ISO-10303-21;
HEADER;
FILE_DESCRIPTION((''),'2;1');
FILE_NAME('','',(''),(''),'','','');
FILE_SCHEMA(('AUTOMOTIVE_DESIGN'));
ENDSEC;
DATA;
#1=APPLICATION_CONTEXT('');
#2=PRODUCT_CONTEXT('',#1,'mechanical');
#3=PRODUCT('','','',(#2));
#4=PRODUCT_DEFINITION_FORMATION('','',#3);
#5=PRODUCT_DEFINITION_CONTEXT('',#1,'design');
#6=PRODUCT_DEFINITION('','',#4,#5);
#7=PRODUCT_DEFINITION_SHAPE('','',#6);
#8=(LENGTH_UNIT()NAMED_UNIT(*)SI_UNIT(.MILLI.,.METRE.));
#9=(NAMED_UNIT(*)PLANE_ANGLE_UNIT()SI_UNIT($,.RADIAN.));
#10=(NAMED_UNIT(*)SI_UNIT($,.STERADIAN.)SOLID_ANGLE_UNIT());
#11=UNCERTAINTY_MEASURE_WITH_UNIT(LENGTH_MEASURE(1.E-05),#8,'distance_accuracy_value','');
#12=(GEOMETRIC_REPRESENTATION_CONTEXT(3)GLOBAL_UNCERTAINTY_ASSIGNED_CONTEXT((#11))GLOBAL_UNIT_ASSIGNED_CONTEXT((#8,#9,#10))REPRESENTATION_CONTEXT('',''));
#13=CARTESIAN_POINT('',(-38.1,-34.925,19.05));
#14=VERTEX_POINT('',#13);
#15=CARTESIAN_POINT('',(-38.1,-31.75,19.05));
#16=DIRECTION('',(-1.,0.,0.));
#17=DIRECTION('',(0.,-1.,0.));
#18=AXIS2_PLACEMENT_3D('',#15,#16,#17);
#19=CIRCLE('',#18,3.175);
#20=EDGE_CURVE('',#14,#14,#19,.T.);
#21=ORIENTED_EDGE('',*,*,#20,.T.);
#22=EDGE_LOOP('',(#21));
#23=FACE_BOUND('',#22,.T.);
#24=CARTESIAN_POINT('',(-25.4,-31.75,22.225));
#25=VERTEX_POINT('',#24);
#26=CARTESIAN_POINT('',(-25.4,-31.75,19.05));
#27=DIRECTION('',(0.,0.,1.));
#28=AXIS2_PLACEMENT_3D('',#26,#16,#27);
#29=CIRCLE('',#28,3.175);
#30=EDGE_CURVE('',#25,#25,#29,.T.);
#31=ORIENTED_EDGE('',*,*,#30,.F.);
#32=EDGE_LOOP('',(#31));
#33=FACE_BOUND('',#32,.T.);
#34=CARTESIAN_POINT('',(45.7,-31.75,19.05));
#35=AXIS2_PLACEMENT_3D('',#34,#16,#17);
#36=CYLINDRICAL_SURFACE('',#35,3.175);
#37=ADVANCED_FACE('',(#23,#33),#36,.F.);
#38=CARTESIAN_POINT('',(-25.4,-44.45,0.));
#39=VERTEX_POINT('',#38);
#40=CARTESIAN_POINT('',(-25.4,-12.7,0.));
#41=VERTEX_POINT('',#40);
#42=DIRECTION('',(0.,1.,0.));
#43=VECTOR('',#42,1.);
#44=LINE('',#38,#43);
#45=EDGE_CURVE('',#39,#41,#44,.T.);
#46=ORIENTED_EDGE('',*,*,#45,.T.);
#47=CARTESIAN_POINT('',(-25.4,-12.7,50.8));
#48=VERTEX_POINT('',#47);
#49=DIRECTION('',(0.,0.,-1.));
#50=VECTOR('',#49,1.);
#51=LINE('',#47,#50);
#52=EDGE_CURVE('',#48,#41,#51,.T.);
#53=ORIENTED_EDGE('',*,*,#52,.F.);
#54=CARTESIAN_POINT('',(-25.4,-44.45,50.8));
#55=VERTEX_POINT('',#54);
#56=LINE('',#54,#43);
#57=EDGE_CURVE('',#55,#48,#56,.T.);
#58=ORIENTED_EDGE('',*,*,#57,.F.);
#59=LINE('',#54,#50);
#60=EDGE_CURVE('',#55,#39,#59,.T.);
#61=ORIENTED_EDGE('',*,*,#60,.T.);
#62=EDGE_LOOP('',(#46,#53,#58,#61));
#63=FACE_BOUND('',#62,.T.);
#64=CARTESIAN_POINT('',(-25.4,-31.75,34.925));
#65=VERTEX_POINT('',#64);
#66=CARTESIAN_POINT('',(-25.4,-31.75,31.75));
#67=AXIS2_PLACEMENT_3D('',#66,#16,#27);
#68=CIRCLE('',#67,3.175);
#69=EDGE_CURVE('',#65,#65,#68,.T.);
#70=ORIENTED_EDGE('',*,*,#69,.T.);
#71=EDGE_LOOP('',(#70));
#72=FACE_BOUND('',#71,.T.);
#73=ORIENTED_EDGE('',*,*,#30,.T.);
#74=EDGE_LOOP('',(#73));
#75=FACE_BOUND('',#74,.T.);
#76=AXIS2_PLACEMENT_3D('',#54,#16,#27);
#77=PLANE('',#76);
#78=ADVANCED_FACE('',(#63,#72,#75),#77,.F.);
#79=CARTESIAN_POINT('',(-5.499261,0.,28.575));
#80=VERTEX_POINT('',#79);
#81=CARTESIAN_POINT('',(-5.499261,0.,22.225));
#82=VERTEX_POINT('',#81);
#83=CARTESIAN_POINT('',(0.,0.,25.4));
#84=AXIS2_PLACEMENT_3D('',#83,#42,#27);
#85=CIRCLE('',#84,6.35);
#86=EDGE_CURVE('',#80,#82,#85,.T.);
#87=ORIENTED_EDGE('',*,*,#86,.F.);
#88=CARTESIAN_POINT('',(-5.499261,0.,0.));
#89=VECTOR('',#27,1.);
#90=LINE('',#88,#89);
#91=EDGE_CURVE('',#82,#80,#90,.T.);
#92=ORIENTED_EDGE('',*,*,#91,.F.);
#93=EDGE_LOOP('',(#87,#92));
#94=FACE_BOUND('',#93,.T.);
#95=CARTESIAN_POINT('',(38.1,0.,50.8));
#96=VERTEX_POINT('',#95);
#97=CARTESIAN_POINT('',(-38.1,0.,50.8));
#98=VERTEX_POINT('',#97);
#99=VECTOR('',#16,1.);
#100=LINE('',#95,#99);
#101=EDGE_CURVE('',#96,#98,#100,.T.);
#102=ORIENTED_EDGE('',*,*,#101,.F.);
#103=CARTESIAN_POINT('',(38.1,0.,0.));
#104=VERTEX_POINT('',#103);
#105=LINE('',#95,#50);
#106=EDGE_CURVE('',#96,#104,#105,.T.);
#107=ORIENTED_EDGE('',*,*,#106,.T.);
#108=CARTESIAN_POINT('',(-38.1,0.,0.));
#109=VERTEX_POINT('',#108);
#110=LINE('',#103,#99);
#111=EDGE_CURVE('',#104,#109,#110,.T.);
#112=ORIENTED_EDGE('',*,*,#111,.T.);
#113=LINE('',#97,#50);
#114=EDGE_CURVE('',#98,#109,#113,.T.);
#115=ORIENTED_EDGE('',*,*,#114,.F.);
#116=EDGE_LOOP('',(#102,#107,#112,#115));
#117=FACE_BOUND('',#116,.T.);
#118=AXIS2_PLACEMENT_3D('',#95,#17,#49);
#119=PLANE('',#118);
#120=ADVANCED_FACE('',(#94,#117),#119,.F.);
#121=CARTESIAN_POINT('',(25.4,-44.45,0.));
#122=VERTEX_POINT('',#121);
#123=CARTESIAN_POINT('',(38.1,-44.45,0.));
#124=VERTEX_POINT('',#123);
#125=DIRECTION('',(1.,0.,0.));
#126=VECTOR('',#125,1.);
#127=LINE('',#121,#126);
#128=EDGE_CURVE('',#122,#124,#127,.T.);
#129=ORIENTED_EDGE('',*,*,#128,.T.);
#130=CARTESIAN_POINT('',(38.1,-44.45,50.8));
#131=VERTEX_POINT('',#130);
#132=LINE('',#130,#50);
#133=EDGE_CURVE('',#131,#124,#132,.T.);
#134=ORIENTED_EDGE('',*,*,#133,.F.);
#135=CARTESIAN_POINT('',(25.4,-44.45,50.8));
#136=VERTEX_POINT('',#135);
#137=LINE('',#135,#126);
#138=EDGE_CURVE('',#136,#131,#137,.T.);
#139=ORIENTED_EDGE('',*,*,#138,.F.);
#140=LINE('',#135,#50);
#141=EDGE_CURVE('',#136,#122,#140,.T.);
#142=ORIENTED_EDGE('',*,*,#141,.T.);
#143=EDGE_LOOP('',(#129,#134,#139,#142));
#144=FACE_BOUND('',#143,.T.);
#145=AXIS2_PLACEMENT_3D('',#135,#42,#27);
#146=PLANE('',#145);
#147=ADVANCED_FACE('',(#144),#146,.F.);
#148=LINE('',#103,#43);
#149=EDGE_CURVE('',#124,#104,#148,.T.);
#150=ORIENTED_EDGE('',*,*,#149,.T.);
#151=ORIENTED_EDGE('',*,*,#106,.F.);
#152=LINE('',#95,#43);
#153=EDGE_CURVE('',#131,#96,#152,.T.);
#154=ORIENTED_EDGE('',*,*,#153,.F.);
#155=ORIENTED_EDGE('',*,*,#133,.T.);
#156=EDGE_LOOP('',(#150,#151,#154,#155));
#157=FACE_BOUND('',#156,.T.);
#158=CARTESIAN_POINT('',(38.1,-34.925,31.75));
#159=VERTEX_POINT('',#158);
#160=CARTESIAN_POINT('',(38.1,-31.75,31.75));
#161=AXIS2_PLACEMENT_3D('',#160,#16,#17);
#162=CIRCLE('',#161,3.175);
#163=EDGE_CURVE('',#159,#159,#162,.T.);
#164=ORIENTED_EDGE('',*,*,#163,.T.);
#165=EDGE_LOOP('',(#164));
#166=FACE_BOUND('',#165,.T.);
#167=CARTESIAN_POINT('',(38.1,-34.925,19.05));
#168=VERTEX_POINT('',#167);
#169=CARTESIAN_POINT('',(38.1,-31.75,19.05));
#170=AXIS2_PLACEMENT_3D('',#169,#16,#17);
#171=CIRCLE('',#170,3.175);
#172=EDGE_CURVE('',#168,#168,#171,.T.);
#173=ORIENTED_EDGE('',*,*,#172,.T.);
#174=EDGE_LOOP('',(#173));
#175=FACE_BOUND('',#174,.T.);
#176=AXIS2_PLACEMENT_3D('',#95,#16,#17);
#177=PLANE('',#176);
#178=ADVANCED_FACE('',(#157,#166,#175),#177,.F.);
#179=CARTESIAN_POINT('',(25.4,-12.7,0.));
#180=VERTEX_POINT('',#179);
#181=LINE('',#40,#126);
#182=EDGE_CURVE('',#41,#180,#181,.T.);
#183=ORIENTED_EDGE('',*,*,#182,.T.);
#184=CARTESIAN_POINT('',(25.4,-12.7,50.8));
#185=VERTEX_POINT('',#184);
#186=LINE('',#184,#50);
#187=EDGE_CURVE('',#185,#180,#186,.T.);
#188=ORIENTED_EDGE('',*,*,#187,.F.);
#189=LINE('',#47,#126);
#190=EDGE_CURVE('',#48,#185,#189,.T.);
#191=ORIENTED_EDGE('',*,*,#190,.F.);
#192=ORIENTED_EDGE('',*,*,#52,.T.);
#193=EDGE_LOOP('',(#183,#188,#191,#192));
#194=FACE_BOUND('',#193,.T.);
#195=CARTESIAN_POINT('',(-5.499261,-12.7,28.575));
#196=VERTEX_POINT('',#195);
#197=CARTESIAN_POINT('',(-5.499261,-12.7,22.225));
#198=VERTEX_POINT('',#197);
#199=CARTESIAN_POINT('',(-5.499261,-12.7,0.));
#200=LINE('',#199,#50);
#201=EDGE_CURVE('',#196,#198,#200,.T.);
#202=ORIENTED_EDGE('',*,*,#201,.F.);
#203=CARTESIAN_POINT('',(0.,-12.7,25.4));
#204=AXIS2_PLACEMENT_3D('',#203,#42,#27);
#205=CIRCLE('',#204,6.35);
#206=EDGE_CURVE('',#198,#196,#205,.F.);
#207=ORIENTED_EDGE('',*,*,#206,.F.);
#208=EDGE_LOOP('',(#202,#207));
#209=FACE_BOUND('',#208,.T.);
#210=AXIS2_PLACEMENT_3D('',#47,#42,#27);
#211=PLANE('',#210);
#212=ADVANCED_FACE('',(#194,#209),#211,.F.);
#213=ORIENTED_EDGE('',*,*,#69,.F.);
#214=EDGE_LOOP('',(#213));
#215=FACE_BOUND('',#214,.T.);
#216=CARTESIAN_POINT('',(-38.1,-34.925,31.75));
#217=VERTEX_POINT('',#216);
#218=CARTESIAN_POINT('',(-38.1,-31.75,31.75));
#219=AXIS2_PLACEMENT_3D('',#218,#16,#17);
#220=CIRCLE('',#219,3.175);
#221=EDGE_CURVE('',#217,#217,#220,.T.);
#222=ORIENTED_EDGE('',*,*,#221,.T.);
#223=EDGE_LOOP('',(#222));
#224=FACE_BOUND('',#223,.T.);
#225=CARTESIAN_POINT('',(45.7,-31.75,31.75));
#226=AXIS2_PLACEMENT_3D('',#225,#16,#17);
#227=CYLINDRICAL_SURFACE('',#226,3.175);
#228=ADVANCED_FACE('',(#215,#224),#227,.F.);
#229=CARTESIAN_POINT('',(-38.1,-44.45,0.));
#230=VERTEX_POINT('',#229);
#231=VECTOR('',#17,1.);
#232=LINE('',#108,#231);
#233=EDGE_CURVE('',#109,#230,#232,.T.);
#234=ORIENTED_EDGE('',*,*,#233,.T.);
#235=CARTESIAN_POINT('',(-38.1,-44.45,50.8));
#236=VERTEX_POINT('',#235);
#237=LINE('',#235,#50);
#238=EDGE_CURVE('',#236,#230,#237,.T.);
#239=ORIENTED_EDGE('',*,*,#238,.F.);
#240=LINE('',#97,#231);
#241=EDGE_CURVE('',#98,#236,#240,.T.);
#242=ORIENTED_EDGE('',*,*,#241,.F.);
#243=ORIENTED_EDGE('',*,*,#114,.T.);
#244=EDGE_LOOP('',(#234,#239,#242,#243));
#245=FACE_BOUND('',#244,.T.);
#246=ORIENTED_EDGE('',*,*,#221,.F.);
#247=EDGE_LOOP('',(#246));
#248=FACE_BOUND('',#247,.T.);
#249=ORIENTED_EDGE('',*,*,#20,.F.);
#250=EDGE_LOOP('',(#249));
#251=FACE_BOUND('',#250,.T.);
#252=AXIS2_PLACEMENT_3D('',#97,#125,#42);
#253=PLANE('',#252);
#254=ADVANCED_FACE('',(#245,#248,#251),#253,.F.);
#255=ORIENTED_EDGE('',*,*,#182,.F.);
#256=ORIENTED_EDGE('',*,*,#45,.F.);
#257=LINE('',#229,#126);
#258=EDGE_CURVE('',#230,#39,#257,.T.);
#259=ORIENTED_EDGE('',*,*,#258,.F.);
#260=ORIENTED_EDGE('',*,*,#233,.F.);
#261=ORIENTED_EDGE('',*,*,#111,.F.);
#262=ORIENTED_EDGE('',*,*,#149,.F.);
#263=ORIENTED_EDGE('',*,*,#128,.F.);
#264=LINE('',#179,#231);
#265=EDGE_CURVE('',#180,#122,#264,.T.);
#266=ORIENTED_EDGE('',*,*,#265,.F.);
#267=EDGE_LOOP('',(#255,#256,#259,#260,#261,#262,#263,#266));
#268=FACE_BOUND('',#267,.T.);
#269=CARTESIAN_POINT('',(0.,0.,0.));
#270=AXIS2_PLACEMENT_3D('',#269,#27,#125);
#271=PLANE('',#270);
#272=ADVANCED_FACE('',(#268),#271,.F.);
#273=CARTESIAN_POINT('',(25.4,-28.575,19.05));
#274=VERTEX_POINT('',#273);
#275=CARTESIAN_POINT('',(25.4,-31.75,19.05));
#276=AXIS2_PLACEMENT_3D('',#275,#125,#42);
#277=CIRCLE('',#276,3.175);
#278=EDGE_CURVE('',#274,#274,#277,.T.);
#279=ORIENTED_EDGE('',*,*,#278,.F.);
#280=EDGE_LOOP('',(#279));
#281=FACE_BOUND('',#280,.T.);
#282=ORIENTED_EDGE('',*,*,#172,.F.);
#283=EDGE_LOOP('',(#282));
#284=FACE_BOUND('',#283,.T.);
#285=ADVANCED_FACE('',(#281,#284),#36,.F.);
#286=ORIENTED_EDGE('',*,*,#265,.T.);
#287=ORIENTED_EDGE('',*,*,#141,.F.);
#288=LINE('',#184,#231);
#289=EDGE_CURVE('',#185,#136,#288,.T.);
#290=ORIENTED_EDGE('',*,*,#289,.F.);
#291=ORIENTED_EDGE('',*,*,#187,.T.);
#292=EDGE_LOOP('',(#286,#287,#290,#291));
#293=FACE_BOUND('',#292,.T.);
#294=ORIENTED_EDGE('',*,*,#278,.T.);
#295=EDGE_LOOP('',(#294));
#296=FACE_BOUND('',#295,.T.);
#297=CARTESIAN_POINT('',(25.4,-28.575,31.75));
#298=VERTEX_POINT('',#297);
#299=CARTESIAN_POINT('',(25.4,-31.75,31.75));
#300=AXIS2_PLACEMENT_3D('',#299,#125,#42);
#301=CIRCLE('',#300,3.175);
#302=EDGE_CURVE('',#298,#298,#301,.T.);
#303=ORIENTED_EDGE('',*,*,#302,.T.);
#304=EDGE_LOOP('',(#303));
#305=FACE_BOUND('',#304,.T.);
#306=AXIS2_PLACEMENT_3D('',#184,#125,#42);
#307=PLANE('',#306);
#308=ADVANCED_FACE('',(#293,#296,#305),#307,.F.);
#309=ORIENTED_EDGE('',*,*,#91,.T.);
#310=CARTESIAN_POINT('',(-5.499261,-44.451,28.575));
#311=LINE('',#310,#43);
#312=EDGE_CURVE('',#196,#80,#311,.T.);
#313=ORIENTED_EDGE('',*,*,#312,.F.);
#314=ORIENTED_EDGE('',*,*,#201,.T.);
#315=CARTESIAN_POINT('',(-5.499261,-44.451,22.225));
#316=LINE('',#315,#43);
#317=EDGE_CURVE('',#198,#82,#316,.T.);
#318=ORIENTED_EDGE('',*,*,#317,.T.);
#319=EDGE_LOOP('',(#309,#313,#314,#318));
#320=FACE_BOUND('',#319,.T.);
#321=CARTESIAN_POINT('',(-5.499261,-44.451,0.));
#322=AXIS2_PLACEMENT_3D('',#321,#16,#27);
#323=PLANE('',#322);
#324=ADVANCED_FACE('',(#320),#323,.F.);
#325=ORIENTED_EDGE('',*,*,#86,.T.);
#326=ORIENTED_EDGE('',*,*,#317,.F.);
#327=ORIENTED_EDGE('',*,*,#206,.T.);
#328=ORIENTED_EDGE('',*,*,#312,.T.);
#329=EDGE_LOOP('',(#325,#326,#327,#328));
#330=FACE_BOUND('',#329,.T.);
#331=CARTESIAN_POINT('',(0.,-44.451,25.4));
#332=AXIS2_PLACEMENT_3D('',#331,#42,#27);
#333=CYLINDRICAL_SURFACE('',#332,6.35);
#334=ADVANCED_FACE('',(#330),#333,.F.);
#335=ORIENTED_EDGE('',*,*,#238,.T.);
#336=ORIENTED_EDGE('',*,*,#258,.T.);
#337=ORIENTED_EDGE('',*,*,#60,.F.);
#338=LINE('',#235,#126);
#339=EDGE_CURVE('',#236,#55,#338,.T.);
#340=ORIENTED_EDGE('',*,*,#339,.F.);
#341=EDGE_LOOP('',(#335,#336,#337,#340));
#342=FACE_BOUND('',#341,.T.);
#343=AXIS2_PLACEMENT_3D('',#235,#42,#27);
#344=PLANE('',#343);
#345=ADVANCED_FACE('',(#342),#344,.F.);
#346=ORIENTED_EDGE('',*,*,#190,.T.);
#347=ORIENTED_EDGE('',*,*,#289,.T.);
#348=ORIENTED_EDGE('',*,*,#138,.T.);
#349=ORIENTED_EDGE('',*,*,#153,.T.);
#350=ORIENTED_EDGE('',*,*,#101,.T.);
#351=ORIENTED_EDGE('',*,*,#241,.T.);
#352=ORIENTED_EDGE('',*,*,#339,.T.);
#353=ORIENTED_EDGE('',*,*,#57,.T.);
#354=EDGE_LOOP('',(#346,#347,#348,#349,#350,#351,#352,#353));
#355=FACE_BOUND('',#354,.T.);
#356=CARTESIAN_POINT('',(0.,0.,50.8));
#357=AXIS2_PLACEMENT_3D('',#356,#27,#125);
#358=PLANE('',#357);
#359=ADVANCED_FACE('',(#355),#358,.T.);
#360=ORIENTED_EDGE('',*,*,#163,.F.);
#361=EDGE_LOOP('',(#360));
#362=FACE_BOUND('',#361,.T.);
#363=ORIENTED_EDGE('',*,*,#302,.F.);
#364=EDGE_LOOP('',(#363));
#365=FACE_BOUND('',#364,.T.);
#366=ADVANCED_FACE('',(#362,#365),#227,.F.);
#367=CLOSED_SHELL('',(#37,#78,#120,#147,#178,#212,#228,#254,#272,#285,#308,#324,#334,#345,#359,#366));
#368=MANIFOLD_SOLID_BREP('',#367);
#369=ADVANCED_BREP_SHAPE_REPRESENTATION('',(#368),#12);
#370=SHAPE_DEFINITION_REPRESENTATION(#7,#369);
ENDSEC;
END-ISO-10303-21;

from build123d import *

# Parameters (mm, degrees)
BOSS_EXTRUDE1_DEPTH = 50.8
CUT_EXTRUDE1_REACH  = 79.512
SKETCH4_R           = 3.175
CUT_EXTRUDE2_DEPTH  = 83.8


with BuildPart() as part:
    # Sketch2 → Boss-Extrude1 (new body)
    with BuildSketch(Plane.XY):
        Polygon((38.1, 0), (-38.1, 0), (-38.1, -44.45), (-25.4, -44.45), (-25.4, -12.7), (25.4, -12.7), (25.4, -44.45), (38.1, -44.45), align=None)
    extrude(amount=BOSS_EXTRUDE1_DEPTH)

    # Sketch3 → Cut-Extrude1 (cut, up to next)
    with BuildSketch(Plane(origin=(0, 0, 0), x_dir=(1, 0, 0), z_dir=(0, 1, 0)), mode=Mode.PRIVATE) as cut_extrude1_sk1:
        with BuildLine():
            ThreePointArc((6.35, -25.4), (1.643500936, -19.266371003), (-5.499261314, -22.225))
            Line((-5.499261314, -22.225), (-5.499261314, -28.575))
            ThreePointArc((-5.499261314, -28.575), (1.643500936, -31.533628997), (6.35, -25.4))
        make_face()
    cut_extrude1_tool1 = extrude(cut_extrude1_sk1.sketch, amount=-CUT_EXTRUDE1_REACH, mode=Mode.PRIVATE) & part.part
    add(cut_extrude1_tool1.solids().sort_by_distance((0.17344, 0, 25.4))[0], mode=Mode.SUBTRACT)

    # Sketch4 → Cut-Extrude2 (cut)
    with BuildSketch(Plane.ZY.offset(38.1)):
        with Locations(Location((19.05, -31.75, 0), (0, 0, 270))):
            Circle(SKETCH4_R)
        with Locations(Location((31.75, -31.75, 0), (0, 0, 270))):
            Circle(SKETCH4_R)
    extrude(amount=-CUT_EXTRUDE2_DEPTH, mode=Mode.SUBTRACT)


solid = part.part
